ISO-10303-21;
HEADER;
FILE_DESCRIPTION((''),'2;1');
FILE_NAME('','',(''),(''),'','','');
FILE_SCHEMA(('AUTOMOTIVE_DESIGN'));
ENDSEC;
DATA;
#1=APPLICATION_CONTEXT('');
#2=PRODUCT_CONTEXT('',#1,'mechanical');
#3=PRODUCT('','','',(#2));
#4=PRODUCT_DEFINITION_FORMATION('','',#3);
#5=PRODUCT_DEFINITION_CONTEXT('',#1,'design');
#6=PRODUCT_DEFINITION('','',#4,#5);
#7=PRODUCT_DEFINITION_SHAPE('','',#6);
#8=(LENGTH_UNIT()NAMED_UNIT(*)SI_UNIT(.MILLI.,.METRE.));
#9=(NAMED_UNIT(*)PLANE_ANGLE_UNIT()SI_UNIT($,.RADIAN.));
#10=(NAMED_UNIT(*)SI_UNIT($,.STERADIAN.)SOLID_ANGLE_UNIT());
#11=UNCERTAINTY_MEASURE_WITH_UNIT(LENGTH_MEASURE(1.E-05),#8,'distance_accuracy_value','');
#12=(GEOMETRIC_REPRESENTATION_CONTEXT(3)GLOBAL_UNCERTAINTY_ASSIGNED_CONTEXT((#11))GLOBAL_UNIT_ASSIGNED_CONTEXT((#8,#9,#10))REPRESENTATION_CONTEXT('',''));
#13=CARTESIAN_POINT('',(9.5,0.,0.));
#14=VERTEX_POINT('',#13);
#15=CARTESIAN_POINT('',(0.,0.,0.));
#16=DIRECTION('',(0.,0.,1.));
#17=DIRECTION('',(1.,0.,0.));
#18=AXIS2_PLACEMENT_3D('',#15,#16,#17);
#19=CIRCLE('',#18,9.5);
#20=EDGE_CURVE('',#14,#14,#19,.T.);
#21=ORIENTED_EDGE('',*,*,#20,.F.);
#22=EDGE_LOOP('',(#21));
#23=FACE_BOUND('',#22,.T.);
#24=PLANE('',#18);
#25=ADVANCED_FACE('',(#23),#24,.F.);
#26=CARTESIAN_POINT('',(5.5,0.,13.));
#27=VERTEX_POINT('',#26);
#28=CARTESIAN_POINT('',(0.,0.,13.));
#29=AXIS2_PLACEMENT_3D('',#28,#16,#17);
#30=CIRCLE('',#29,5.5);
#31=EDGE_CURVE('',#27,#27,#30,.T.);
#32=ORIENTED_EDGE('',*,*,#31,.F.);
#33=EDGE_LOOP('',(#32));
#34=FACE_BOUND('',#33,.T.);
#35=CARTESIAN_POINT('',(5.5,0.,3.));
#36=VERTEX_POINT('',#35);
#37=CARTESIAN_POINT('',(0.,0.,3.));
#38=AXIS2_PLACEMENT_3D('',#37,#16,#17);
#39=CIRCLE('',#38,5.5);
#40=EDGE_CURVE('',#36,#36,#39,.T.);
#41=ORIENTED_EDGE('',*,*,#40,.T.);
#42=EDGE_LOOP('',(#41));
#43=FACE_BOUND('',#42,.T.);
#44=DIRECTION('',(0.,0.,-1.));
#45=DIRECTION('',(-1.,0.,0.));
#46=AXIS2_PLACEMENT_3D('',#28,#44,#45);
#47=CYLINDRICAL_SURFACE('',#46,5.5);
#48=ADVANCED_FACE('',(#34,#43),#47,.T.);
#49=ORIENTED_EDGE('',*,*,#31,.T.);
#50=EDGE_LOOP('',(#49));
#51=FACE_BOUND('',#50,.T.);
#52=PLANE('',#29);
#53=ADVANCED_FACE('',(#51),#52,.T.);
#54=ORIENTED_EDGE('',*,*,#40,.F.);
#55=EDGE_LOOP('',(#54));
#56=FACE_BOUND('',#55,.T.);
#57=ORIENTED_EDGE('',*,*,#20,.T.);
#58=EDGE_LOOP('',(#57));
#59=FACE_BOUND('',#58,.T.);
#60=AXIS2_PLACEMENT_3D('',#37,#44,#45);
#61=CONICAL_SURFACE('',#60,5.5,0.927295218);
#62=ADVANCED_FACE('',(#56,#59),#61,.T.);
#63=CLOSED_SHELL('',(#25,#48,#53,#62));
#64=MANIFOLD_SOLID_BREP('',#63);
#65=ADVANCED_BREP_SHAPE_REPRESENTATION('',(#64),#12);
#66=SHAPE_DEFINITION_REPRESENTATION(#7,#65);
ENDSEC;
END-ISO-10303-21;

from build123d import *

# Parameters (mm, degrees)
SKETCH2_R           = 5.5
SKETCH1_R           = 9.5
SKETCH2_2_R         = 5.5
BOSS_EXTRUDE1_DEPTH = 10


with BuildPart() as part:
    # Sketch2 → Loft1 section 0
    with BuildSketch(Plane.XY.offset(3)):
        Circle(SKETCH2_R)
    # Sketch1 → Loft1 section 1
    with BuildSketch(Plane.XY):
        Circle(SKETCH1_R)
    loft()

    # Sketch2<2> → Boss-Extrude1 (add)
    with BuildSketch(Plane.XY.offset(3)):
        Circle(SKETCH2_2_R)
    extrude(amount=BOSS_EXTRUDE1_DEPTH)


solid = part.part
